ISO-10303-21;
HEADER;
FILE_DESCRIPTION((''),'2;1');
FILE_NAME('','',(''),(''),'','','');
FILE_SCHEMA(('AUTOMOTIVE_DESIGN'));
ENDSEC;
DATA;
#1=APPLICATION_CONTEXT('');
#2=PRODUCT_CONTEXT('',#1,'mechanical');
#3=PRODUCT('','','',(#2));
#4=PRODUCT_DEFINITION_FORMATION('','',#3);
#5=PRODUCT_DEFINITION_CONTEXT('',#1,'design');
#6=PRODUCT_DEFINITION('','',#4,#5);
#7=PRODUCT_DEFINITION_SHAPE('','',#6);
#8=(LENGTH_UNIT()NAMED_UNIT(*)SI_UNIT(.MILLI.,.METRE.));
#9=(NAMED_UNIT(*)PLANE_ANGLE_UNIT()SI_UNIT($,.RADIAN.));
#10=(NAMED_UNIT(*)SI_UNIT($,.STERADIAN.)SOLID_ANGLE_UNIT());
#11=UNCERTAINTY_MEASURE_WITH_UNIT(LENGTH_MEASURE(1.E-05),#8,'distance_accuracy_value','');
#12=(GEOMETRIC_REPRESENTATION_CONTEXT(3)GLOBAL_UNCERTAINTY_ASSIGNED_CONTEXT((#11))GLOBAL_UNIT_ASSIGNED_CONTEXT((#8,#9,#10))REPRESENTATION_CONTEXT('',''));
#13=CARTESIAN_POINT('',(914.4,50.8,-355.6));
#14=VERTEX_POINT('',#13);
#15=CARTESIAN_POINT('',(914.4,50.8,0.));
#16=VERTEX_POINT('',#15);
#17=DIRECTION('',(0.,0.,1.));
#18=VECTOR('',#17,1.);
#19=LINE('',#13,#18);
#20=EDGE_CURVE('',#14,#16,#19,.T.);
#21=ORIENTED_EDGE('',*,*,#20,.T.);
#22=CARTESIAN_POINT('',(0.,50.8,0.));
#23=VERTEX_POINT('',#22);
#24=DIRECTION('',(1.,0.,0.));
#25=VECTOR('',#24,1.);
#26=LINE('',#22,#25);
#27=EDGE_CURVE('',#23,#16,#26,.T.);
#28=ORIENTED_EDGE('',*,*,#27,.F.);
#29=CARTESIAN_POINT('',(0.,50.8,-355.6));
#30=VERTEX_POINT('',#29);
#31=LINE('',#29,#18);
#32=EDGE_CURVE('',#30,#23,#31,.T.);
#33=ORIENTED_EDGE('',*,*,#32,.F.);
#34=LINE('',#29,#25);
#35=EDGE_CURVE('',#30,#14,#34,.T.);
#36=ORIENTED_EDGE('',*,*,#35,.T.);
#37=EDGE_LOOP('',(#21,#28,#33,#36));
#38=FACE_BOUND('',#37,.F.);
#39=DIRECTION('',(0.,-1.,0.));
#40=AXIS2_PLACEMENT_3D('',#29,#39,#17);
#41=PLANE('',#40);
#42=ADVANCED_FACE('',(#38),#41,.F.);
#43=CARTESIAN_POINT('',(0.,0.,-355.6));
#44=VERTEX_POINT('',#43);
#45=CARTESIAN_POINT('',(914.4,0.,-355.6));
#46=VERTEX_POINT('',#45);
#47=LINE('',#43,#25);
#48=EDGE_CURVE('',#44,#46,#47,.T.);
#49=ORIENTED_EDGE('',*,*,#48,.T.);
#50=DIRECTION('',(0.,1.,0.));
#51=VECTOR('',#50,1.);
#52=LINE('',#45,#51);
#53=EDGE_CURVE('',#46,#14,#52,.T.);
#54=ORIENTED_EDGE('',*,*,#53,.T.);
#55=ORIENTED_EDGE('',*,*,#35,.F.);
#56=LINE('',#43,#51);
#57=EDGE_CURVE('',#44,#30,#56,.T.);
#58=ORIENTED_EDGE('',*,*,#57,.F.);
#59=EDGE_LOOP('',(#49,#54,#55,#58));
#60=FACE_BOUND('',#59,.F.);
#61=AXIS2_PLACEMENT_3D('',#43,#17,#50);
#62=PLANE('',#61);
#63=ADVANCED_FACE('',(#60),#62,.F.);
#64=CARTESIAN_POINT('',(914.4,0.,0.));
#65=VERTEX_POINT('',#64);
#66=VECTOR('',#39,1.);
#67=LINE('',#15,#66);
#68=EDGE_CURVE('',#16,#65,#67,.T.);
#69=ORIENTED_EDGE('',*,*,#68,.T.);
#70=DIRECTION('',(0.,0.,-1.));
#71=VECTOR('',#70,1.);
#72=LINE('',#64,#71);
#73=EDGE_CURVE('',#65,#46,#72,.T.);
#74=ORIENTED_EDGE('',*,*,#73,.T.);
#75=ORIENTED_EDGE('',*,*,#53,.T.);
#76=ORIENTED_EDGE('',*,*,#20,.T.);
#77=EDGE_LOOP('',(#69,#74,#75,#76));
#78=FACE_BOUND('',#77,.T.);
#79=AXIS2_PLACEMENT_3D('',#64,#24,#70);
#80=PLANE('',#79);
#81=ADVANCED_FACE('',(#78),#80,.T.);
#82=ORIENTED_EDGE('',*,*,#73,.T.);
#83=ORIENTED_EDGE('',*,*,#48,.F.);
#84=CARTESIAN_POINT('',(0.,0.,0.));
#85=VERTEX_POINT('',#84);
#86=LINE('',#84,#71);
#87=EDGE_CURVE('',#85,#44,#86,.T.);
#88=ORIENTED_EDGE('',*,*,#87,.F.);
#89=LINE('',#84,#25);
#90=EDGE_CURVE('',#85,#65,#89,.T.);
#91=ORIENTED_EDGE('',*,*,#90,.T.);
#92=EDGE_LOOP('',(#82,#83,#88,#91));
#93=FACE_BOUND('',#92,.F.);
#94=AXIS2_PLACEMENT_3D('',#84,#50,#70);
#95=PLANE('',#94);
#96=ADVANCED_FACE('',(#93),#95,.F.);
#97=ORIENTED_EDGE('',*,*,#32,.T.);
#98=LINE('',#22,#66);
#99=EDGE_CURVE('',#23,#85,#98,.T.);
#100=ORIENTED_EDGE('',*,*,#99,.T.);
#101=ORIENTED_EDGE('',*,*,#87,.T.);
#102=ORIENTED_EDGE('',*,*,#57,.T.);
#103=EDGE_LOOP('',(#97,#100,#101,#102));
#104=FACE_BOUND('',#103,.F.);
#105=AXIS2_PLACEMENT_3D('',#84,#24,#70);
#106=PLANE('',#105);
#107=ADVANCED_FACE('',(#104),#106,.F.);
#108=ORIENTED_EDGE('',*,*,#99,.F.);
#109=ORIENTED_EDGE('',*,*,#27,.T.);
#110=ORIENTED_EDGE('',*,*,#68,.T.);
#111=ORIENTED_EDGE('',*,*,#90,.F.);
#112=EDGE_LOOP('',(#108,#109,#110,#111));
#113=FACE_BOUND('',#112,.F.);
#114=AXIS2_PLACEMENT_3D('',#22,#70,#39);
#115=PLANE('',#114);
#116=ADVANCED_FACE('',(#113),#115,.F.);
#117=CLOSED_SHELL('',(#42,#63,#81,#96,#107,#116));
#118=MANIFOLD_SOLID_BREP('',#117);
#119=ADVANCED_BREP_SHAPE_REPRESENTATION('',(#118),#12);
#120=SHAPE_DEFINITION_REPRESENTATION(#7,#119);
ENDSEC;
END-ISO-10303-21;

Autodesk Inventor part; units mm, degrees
ref_plane "YZ Plane" through (0, 0, 0) normal (1, 0, 0) x (0, 1, 0)
ref_plane "XZ Plane" through (0, 0, 0) normal (0, 1, 0) x (-1, 0, 0)
ref_plane "XY Plane" through (0, 0, 0) normal (0, 0, 1) x (1, 0, 0)
sketch "Sketch1" plane through (0, 0, 0) normal (1, 0, 0) x (0, 0, -1)
  line L0 (0, 0) -> (355.6, 0)
  line L1 (355.6, 0) -> (355.6, 50.8)
  line L2 (355.6, 50.8) -> (0, 50.8)
  line L3 (0, 50.8) -> (0, 0)
  dimension "d0" = 355.6
  dimension "d1" = 50.8
extrude "Extrusion1" add sketch "Sketch1" along normal blind 914.4
properties part number "2x14x36-15" material "Granite, Cut, Polished"
